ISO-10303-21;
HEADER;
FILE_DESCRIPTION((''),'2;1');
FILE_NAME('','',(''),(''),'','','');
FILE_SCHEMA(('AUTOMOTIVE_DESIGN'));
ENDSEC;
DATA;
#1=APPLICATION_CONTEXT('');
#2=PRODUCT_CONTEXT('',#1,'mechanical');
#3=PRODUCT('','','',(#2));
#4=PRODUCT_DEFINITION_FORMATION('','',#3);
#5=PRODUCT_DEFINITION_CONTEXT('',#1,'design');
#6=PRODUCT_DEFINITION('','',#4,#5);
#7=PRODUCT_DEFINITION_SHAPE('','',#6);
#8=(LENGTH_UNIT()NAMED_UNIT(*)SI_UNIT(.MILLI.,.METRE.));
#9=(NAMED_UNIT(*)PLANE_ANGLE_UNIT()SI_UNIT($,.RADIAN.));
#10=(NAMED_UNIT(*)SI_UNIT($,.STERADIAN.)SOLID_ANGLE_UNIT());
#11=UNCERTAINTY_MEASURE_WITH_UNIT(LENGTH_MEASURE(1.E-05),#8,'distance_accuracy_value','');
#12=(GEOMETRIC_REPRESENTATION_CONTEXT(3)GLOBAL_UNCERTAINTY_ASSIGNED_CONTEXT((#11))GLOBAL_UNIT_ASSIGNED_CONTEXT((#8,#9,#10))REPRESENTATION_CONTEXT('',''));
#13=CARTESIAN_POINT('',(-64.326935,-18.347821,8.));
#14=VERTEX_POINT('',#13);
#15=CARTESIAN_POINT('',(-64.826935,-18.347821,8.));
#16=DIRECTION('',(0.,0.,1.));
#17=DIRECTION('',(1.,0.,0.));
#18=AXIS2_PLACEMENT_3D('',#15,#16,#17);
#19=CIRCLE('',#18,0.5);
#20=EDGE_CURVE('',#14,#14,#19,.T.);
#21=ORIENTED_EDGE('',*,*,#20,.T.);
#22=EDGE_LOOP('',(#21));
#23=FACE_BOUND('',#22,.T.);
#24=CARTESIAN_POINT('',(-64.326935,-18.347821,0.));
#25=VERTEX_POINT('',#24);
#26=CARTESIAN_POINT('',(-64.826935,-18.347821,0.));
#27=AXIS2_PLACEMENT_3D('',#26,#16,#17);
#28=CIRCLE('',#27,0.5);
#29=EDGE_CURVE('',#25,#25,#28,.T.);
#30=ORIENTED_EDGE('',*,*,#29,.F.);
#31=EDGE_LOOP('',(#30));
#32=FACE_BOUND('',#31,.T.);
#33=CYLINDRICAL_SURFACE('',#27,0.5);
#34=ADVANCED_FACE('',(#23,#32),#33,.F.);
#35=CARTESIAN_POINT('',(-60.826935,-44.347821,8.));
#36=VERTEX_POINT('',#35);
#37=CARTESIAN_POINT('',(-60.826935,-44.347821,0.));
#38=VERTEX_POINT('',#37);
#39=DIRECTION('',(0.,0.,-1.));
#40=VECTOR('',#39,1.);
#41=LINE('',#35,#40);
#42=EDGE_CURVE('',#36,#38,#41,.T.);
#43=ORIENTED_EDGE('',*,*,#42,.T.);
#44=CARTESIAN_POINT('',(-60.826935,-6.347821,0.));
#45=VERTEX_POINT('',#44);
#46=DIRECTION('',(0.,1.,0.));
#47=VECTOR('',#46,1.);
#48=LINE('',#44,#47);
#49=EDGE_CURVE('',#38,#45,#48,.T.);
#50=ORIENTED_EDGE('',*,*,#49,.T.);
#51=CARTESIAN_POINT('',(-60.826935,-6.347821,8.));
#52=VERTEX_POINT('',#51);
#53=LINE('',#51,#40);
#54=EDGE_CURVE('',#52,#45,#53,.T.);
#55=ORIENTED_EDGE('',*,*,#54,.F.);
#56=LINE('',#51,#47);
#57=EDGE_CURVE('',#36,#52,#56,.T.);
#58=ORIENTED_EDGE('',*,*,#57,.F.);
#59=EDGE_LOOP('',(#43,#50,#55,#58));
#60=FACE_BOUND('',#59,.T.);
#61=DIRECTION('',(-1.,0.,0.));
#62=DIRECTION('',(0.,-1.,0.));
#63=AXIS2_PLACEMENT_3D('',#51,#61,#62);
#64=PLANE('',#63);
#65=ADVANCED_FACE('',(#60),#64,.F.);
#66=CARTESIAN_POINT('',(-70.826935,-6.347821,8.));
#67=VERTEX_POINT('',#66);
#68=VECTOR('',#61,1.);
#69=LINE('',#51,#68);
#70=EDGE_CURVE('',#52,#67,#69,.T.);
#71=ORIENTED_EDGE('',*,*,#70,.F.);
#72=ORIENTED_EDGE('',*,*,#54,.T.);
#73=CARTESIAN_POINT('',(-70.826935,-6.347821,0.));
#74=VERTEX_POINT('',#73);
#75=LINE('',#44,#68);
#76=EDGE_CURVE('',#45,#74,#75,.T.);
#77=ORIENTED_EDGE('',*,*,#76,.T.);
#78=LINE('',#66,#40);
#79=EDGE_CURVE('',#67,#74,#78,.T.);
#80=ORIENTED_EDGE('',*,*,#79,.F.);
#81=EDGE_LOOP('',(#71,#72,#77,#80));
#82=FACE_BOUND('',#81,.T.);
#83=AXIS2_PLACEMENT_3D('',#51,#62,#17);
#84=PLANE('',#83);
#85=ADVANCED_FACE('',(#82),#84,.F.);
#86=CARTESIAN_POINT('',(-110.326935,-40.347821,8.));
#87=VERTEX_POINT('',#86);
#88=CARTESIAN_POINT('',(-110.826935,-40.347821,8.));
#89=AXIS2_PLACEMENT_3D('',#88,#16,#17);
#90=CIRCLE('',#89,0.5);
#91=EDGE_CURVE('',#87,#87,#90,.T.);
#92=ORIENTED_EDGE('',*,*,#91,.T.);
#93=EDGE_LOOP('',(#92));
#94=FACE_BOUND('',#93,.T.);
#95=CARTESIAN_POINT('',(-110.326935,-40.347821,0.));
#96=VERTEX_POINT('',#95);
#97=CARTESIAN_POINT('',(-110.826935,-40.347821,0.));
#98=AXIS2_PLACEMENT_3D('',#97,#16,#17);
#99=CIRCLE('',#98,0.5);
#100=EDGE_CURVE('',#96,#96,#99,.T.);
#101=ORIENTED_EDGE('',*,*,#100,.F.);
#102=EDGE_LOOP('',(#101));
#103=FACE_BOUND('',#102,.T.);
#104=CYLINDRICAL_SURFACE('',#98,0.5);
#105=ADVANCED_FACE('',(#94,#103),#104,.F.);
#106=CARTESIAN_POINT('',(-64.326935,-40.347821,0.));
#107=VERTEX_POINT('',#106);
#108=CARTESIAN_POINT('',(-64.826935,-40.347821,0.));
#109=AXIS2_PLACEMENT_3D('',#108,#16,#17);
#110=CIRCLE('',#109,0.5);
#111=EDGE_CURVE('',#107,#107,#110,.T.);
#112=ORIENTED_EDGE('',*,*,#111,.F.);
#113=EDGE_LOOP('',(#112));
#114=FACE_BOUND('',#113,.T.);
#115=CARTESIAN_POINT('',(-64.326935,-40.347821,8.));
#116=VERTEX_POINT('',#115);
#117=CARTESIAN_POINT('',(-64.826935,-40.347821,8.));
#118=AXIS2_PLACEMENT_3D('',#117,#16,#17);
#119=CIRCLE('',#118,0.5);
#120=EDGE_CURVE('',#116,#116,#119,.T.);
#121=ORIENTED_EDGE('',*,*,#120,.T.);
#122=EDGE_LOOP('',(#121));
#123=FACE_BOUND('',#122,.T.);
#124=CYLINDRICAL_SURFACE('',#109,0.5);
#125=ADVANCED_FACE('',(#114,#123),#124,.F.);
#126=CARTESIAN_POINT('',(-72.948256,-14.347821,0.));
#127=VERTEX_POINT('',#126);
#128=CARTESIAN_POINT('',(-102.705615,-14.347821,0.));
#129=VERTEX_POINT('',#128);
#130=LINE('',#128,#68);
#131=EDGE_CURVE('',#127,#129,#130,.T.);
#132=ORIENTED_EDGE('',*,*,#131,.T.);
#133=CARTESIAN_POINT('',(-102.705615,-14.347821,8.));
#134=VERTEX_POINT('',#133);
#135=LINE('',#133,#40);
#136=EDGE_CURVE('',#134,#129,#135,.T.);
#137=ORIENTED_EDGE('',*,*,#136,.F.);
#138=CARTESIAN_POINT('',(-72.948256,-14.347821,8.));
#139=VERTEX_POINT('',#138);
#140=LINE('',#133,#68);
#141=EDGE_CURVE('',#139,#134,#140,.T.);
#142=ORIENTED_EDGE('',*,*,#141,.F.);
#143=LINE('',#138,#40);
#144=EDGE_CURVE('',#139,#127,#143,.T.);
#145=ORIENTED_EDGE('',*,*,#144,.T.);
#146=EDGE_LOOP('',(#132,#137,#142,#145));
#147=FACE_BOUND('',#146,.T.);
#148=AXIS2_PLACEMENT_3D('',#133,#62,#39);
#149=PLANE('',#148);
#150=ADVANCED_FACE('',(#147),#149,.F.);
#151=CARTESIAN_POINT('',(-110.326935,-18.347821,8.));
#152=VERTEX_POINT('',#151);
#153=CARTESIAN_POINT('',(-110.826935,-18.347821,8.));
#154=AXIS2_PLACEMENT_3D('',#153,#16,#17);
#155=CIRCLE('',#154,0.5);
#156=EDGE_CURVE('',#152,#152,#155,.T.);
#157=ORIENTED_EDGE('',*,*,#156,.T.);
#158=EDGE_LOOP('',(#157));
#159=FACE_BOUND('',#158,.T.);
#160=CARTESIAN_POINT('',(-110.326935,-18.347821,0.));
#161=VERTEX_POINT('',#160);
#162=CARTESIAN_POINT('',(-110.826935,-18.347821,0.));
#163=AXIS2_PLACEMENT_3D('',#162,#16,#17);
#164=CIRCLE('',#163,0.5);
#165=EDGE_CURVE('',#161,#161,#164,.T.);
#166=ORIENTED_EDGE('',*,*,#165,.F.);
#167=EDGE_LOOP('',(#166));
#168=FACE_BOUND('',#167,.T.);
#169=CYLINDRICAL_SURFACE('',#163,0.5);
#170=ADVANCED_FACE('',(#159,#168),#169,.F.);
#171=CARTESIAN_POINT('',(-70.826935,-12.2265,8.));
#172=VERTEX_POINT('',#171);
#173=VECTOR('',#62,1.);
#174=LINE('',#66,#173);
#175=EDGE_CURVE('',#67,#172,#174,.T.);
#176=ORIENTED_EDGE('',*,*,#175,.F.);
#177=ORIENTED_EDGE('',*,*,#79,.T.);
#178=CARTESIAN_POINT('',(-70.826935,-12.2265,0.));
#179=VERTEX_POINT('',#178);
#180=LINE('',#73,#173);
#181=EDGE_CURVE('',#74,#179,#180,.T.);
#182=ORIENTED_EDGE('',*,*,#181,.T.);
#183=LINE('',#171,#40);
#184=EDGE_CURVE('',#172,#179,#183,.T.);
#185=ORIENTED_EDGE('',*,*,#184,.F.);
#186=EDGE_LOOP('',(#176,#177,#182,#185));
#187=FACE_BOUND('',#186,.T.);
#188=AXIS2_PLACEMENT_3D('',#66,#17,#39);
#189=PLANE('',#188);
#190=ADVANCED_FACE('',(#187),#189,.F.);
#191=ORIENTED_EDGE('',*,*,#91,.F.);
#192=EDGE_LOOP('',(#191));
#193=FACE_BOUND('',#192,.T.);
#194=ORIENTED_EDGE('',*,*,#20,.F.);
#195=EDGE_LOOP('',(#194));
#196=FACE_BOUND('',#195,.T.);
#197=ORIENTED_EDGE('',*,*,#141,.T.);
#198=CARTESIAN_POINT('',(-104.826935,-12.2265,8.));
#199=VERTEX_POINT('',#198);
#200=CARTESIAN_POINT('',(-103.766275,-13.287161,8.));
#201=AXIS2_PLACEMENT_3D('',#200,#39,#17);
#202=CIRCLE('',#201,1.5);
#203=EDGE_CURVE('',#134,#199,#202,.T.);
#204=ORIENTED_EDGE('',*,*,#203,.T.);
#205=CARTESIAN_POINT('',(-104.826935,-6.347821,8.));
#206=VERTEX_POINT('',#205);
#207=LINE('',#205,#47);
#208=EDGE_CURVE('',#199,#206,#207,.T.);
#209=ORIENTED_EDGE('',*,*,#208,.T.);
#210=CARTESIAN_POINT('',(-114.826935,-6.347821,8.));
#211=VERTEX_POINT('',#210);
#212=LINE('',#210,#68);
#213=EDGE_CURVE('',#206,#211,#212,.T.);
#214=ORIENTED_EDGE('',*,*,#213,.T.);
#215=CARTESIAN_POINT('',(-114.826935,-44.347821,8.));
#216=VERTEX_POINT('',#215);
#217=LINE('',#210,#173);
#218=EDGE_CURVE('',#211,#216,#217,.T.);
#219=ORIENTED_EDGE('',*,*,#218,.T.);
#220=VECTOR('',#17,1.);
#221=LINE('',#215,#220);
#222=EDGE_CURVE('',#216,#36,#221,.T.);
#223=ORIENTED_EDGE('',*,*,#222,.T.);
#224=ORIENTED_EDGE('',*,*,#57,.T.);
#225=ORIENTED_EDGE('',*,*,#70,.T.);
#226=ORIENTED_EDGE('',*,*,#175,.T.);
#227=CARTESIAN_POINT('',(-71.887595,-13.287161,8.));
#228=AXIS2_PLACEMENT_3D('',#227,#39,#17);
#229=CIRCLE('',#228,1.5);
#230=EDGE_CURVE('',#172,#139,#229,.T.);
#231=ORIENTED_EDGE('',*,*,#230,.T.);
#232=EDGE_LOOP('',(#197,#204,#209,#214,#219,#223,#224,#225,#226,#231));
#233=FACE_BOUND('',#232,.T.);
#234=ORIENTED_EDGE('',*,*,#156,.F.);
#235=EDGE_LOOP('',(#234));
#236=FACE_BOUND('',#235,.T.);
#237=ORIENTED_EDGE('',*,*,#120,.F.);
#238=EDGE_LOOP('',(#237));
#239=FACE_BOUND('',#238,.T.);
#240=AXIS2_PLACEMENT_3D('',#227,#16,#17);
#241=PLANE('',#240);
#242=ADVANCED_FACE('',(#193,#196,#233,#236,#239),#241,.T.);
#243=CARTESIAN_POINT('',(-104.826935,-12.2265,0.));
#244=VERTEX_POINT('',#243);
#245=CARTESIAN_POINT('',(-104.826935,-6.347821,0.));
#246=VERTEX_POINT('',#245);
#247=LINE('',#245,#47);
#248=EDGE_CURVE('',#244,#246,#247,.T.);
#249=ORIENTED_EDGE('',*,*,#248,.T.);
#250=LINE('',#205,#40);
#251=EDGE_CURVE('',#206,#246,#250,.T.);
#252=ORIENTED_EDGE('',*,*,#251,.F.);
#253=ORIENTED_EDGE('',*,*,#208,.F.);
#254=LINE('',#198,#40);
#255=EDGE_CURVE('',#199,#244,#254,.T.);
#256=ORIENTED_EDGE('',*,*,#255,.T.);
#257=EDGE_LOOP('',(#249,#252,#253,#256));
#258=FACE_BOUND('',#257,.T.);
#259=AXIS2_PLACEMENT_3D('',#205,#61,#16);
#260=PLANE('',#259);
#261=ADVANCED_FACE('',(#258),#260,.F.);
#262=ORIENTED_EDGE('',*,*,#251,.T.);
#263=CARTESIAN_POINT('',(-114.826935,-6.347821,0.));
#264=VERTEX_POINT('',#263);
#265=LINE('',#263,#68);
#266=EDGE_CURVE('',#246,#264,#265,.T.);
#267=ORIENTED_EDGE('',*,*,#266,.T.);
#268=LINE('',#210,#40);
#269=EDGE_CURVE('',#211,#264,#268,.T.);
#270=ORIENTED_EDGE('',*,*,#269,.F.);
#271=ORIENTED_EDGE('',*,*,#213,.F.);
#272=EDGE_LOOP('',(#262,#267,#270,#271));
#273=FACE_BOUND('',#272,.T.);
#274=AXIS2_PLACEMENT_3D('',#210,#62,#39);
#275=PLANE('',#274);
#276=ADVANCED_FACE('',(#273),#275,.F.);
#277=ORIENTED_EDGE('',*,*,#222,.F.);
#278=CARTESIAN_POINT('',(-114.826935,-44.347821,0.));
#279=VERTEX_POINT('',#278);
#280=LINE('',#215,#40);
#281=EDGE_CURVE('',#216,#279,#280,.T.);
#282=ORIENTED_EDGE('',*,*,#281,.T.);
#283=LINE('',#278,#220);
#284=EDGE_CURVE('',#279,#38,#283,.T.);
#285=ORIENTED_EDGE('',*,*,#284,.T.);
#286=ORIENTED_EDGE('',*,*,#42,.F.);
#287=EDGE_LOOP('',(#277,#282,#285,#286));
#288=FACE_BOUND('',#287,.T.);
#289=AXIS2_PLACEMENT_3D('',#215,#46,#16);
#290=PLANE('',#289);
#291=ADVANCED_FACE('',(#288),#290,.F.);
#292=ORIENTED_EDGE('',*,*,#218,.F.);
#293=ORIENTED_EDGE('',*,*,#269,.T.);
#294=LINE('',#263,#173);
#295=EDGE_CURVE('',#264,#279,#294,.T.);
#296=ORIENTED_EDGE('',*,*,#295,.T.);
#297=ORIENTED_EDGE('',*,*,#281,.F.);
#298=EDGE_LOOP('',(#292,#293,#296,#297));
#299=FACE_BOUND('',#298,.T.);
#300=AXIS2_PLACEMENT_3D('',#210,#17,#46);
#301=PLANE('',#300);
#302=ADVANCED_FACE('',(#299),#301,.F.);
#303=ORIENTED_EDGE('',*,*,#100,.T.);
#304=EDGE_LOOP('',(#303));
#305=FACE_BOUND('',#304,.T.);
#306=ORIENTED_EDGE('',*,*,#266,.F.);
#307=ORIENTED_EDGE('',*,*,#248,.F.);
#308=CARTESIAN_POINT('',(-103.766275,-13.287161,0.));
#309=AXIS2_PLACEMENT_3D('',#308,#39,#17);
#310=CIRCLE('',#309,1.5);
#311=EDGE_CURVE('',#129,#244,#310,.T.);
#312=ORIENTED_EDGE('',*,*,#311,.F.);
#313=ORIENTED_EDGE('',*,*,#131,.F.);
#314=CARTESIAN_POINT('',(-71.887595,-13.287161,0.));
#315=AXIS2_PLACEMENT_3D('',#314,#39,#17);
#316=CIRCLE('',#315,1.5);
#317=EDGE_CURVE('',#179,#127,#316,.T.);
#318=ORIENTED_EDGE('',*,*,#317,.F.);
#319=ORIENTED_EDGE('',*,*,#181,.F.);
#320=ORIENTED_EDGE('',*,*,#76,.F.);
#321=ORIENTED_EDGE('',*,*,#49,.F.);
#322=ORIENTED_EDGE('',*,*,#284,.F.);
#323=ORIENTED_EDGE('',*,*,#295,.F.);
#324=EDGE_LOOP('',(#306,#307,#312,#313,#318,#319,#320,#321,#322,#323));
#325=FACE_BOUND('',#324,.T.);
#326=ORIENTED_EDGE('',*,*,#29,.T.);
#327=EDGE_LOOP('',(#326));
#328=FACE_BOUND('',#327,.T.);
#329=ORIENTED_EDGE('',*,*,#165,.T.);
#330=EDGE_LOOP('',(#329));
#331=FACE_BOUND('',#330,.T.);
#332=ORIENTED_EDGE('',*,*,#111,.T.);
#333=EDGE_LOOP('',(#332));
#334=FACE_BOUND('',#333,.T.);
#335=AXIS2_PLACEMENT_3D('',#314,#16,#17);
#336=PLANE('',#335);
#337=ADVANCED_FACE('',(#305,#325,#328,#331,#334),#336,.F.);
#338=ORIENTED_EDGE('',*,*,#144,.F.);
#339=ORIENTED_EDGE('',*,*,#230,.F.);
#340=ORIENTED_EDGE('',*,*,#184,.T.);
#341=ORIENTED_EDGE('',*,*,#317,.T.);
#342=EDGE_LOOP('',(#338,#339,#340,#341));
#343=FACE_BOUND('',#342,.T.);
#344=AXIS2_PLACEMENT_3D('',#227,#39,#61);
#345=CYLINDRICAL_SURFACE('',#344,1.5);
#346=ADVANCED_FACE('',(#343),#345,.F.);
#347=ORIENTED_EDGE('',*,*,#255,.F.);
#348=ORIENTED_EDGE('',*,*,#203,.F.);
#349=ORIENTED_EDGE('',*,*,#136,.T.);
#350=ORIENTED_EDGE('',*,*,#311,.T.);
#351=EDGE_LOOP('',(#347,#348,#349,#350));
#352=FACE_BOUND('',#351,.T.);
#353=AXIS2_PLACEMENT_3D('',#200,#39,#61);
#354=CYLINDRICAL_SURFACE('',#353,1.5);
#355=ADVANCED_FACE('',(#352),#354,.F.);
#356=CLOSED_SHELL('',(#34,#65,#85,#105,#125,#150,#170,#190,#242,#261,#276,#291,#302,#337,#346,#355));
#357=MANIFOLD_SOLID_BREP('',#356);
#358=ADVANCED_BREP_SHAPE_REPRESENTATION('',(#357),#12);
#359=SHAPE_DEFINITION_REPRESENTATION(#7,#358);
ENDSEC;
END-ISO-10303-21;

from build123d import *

# Parameters (mm, degrees)
BOSS_EXTRU_1_DEPTH      = 8
ESQUISSE2_R             = 0.5
ENL_V_MAT_EXTRU_1_DEPTH = 8


with BuildPart() as part:
    # Esquisse1 → Boss.-Extru.1 (new body)
    with BuildSketch(Plane.XY):
        with BuildLine():
            Line((-114.826935211, -6.347820711), (-114.826935211, -44.347820711))
            Line((-114.826935211, -44.347820711), (-60.826935211, -44.347820711))
            Line((-60.826935211, -44.347820711), (-60.826935211, -6.347820711))
            Line((-60.826935211, -6.347820711), (-70.826935211, -6.347820711))
            Line((-70.826935211, -6.347820711), (-70.826935211, -12.226500367))
            ThreePointArc((-70.826935211, -12.226500367), (-70.826935211, -14.347820711), (-72.948255555, -14.347820711))
            Line((-72.948255555, -14.347820711), (-102.705614868, -14.347820711))
            ThreePointArc((-102.705614868, -14.347820711), (-104.826935211, -14.347820711), (-104.826935211, -12.226500367))
            Line((-104.826935211, -12.226500367), (-104.826935211, -6.347820711))
            Line((-104.826935211, -6.347820711), (-114.826935211, -6.347820711))
        make_face()
    extrude(amount=BOSS_EXTRU_1_DEPTH)

    # Esquisse2 → Enlèv. mat.-Extru.1 (cut)
    with BuildSketch(Plane.XY.offset(8)):
        with Locations((-110.826935211, -18.347820711)):
            Circle(ESQUISSE2_R)
        with Locations((-64.826935211, -18.347820711)):
            Circle(ESQUISSE2_R)
        with Locations((-64.826935211, -40.347820711)):
            Circle(ESQUISSE2_R)
        with Locations((-110.826935211, -40.347820711)):
            Circle(ESQUISSE2_R)
    extrude(amount=-ENL_V_MAT_EXTRU_1_DEPTH, mode=Mode.SUBTRACT)


solid = part.part
